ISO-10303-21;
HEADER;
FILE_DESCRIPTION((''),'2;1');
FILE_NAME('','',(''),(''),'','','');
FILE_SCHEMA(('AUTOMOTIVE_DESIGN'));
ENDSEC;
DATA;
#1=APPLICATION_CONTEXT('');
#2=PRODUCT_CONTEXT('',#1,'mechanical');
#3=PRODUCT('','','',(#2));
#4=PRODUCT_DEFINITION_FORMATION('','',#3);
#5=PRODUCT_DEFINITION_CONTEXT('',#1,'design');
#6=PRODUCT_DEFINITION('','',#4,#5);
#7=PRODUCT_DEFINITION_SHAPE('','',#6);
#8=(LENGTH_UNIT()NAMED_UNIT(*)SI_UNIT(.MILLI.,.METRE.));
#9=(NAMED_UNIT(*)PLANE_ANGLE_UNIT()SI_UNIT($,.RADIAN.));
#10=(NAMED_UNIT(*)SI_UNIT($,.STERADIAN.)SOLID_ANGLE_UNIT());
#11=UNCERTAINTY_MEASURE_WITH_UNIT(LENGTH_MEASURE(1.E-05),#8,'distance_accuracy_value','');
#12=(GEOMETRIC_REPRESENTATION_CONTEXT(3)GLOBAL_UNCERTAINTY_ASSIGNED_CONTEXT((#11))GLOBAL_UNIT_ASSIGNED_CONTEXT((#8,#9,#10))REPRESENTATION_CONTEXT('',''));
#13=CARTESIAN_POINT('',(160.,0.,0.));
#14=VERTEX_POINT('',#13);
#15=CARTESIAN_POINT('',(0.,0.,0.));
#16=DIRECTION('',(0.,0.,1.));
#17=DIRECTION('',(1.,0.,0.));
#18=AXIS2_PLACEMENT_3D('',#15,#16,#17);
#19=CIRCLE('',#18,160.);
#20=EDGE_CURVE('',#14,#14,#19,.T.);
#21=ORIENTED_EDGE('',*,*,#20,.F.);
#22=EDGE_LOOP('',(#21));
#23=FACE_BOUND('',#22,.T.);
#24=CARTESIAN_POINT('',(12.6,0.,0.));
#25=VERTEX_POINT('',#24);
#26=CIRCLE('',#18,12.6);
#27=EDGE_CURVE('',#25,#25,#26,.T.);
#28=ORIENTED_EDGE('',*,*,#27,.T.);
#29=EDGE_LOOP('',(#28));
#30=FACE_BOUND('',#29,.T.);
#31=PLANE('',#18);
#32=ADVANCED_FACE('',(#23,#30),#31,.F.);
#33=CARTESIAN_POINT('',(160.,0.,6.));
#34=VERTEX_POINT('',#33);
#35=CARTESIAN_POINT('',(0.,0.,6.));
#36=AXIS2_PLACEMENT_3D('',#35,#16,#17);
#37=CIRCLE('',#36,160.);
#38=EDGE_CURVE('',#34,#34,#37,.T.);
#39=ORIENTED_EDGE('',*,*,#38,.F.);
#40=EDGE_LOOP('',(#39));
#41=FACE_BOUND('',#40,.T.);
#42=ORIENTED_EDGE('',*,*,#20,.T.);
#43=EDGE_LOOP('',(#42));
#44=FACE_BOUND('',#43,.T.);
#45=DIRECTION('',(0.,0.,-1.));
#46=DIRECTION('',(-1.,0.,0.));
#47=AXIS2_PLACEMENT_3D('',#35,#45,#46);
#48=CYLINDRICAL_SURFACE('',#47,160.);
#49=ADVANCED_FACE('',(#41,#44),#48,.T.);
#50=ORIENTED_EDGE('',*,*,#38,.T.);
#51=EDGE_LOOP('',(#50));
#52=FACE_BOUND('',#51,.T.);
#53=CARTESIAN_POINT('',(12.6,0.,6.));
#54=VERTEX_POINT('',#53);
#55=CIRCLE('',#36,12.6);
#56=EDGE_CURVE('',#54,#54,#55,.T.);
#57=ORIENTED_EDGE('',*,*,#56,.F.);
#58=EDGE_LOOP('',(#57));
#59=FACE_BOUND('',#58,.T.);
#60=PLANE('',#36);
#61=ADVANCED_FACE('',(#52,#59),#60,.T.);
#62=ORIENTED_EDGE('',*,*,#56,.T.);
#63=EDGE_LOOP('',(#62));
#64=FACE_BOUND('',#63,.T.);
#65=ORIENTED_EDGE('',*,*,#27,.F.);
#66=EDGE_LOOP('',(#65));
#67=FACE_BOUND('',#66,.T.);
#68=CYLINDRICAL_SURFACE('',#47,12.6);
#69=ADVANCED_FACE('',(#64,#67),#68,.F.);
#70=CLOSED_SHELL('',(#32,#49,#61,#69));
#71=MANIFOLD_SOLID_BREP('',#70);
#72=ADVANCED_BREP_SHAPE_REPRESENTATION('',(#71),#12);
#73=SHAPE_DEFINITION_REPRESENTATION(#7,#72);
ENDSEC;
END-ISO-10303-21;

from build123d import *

# Parameters (mm, degrees)
ESQUISSE1_R        = 160
ESQUISSE1_R_2      = 12.6
BOSS_EXTRU_1_DEPTH = 6


with BuildPart() as part:
    # Esquisse1 → Boss.-Extru.1 (new body)
    with BuildSketch(Plane.XY):
        Circle(ESQUISSE1_R)
        Circle(ESQUISSE1_R_2, mode=Mode.SUBTRACT)
    extrude(amount=BOSS_EXTRU_1_DEPTH)


solid = part.part
